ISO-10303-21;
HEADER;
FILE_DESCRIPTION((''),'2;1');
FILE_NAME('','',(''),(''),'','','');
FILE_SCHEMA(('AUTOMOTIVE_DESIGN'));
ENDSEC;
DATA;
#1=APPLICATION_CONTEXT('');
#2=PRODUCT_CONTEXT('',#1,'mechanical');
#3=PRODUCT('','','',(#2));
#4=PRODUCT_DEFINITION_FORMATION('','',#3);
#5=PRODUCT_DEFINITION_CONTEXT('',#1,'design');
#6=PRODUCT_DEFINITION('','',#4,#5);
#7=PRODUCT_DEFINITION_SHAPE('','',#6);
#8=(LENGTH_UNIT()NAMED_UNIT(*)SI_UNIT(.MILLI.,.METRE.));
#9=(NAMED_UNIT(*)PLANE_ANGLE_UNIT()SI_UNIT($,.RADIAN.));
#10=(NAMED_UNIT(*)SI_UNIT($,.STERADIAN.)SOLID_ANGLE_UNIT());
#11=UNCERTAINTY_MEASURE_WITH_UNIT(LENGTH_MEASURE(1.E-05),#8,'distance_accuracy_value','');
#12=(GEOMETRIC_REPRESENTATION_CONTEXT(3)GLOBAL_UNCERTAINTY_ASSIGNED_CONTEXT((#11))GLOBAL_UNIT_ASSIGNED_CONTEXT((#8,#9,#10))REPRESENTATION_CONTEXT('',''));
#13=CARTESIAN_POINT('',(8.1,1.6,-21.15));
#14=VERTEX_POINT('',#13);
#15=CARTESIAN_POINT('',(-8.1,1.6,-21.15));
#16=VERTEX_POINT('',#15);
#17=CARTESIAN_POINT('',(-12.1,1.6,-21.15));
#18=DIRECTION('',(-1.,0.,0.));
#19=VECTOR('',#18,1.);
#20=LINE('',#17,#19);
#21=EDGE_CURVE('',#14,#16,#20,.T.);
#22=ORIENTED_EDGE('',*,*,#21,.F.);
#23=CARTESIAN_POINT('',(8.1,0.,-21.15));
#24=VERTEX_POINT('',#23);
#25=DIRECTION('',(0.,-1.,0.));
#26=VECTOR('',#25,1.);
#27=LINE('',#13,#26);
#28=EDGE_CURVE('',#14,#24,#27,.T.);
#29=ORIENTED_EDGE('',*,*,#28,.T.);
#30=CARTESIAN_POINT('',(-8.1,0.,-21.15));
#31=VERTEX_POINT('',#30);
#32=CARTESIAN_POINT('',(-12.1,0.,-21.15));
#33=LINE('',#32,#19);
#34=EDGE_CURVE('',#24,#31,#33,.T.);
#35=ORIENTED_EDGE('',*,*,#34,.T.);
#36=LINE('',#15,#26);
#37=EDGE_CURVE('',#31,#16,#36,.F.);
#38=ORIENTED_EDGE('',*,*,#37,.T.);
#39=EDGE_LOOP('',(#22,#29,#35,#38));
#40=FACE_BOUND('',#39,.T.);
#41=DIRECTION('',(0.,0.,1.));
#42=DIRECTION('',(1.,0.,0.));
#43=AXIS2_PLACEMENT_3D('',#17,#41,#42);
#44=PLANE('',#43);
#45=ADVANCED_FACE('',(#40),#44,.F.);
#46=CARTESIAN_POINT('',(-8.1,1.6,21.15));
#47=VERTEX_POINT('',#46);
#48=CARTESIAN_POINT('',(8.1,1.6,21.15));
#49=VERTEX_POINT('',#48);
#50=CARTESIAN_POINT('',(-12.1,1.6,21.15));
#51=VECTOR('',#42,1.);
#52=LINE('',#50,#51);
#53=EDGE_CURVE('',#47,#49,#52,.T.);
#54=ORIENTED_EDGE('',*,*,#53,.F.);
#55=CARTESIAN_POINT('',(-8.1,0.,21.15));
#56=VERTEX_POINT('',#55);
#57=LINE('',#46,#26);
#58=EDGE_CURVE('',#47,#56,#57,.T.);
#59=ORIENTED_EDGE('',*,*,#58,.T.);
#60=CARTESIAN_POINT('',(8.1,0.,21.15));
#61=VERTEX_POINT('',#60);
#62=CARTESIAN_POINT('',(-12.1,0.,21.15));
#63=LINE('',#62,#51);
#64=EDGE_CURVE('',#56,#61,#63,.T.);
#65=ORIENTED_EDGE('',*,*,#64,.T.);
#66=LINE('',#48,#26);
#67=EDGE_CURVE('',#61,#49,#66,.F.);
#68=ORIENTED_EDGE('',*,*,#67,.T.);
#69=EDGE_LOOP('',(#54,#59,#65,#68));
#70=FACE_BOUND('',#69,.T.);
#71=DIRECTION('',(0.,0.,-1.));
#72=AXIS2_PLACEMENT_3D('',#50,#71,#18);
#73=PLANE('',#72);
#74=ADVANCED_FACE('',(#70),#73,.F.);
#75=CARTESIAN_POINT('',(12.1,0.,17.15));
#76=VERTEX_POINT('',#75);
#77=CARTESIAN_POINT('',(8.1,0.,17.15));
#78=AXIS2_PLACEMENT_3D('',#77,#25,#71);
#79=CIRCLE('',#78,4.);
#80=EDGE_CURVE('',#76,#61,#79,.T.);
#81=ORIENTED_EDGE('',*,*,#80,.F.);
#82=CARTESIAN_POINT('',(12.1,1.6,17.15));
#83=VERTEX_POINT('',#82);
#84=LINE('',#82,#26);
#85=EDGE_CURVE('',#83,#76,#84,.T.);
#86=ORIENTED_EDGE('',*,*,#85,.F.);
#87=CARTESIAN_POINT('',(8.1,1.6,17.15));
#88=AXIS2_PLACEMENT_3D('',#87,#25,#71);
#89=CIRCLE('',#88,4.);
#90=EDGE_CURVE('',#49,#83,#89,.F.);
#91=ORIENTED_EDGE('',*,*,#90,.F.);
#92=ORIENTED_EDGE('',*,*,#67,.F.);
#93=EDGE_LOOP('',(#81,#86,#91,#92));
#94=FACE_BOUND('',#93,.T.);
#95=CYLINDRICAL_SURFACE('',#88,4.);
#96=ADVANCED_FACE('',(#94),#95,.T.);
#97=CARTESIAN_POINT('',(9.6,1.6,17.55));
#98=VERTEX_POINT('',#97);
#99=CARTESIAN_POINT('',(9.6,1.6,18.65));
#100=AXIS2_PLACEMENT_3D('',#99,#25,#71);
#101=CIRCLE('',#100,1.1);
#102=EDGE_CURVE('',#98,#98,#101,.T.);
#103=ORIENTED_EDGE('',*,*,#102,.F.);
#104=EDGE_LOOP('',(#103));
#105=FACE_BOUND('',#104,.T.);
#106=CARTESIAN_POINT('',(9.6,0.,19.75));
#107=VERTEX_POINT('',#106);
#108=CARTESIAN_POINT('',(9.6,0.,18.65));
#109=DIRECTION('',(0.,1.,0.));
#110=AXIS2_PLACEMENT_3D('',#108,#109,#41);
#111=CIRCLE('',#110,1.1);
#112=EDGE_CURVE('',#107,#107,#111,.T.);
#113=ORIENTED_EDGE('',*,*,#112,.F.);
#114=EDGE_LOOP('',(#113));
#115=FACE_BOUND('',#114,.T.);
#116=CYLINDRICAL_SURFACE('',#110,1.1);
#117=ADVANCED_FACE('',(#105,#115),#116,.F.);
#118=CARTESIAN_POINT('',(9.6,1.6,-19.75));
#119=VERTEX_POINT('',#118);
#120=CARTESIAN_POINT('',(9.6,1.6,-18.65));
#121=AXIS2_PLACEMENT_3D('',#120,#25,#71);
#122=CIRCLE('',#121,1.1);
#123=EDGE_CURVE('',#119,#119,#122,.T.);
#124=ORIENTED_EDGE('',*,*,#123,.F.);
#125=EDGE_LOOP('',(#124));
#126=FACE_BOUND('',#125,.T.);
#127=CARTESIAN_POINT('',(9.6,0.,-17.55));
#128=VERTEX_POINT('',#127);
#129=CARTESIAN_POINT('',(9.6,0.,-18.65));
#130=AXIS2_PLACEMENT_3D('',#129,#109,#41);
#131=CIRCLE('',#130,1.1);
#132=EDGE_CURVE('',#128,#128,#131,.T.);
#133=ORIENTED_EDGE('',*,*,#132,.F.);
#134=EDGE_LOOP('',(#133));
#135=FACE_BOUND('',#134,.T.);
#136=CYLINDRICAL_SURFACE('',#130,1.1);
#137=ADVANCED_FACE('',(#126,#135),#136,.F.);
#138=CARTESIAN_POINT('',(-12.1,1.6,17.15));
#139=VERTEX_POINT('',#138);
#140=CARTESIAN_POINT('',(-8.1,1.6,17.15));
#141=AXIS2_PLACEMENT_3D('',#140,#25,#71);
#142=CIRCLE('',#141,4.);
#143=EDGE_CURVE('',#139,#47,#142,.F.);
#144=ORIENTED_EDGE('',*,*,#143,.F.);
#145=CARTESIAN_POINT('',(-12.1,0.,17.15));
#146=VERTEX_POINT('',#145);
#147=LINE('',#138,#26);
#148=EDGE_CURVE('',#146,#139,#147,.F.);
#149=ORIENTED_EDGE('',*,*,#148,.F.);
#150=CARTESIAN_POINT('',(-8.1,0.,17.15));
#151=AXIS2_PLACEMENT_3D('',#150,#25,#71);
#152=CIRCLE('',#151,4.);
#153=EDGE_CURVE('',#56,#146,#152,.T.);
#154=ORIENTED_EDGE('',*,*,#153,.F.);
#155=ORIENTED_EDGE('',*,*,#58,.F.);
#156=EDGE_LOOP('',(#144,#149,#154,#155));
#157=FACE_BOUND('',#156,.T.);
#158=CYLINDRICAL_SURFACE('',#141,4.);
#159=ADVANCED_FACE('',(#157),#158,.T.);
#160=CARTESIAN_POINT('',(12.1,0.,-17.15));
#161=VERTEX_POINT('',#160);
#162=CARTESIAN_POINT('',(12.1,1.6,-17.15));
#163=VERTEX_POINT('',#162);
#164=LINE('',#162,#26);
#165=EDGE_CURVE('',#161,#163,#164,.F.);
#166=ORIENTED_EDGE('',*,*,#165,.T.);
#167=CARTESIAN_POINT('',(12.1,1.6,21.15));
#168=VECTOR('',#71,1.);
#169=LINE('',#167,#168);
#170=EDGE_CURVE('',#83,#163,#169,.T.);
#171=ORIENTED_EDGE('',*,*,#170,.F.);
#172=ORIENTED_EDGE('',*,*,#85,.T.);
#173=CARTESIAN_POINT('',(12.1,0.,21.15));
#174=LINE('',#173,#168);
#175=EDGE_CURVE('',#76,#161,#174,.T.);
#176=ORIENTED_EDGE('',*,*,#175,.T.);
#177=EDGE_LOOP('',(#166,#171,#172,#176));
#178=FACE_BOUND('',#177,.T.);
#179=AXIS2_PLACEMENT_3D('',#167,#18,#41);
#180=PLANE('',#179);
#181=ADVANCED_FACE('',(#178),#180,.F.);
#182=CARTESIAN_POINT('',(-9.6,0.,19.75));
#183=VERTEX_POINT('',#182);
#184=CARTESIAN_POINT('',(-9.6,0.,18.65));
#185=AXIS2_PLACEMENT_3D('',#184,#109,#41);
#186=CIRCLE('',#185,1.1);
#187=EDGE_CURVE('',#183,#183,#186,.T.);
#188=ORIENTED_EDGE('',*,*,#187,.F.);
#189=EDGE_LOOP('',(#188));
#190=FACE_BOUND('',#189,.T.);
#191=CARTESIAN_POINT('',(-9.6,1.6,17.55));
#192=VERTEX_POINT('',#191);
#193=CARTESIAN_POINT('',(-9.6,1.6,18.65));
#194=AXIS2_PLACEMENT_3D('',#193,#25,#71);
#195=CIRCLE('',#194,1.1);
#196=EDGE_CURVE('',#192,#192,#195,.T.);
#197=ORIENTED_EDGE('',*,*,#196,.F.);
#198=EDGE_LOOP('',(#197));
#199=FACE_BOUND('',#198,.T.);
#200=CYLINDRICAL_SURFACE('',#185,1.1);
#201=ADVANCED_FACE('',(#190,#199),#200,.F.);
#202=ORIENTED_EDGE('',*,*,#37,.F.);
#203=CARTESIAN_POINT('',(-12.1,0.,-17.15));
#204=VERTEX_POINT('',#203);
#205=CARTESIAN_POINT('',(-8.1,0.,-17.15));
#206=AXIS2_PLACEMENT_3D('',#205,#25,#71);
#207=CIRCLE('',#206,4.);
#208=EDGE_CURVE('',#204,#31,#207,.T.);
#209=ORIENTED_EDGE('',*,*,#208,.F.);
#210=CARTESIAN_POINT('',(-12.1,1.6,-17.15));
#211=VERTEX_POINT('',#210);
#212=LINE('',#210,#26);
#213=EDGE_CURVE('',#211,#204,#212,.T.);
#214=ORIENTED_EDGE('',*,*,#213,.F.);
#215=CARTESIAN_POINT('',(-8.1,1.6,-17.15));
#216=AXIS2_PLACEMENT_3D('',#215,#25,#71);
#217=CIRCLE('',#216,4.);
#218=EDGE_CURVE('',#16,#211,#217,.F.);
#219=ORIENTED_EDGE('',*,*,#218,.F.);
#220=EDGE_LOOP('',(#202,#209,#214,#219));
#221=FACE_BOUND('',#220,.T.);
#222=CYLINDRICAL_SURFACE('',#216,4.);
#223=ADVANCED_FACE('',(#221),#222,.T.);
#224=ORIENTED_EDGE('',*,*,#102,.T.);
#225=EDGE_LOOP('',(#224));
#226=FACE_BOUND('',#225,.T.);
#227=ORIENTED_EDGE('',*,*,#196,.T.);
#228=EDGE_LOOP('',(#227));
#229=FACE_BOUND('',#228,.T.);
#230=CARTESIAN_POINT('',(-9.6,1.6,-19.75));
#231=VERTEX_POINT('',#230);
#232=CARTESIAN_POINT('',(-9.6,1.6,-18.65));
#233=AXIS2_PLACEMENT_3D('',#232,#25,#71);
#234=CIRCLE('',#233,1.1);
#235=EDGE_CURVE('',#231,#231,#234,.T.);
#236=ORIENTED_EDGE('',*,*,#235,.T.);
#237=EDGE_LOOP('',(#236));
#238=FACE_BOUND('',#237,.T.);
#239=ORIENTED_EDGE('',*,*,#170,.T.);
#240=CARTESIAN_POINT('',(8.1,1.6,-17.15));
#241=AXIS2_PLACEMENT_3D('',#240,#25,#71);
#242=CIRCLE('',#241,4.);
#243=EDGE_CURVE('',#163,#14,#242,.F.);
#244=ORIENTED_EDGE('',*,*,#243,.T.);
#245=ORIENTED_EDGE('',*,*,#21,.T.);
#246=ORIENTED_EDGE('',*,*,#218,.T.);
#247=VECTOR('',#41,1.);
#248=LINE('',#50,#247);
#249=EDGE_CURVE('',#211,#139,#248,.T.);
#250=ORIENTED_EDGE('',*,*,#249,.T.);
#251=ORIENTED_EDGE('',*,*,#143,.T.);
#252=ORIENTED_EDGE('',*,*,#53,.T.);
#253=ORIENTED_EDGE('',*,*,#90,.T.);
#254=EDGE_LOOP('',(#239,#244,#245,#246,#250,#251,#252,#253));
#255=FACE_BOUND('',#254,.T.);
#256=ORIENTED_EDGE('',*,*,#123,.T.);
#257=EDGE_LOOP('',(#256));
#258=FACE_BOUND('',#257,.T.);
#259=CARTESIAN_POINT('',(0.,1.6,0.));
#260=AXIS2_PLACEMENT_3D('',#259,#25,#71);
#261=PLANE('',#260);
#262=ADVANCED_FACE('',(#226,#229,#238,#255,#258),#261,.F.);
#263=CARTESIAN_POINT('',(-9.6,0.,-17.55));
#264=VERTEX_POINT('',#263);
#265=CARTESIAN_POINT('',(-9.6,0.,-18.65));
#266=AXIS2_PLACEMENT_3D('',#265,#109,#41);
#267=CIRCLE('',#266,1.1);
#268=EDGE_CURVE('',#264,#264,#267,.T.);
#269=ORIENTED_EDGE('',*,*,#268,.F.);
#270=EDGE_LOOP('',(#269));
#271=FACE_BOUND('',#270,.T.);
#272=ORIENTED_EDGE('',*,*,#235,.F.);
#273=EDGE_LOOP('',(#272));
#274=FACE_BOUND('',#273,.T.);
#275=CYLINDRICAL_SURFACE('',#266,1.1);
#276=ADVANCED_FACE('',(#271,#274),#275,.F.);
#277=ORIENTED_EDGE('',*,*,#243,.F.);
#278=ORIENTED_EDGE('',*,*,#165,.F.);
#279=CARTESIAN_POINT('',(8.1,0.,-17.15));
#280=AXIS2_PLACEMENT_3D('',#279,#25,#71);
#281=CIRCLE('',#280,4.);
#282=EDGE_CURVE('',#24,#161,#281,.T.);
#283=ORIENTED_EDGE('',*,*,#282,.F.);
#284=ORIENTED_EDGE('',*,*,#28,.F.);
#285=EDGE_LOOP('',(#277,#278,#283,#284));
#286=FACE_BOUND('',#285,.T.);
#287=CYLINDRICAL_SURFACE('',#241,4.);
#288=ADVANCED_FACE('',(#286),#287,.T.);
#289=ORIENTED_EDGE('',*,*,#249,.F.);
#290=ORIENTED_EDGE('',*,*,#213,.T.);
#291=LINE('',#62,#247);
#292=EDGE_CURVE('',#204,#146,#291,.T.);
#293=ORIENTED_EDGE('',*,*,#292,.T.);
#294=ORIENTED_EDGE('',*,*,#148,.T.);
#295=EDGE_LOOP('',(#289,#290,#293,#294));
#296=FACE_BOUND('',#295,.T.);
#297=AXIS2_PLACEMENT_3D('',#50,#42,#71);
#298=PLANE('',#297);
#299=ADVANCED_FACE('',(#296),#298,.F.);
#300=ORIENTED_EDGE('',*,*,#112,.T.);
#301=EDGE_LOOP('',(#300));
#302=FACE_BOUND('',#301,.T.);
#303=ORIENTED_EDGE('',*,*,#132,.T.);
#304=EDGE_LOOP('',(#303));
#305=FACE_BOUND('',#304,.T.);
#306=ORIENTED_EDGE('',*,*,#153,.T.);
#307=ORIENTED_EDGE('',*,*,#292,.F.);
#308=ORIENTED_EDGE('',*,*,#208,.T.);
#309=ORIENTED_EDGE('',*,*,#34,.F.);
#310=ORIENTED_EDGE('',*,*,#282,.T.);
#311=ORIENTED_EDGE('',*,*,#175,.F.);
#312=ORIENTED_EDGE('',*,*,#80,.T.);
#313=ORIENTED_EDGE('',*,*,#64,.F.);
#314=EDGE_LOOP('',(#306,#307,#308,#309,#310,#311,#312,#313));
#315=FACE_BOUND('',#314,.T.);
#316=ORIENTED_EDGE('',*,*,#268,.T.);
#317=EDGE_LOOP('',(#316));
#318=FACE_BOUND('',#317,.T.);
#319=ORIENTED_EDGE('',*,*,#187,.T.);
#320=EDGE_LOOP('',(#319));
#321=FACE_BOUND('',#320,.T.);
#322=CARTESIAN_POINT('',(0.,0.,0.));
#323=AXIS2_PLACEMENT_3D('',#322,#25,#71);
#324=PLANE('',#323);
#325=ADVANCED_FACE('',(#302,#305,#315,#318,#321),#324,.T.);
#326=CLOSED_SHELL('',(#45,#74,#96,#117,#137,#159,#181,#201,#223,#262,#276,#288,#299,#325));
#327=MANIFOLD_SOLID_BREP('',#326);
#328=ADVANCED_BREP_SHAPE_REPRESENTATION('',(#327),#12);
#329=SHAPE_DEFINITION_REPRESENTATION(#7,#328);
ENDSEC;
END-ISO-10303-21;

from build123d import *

# Parameters (mm, degrees)
SKETCH_1_W               = 24.2
SKETCH_1_H               = 42.3
EXTRUDE_1_DEPTH          = 1.6
FILLET_1_R               = 4
CUT_EXTRUDE_1_DEPTH      = 25.41910113
CUT_EXTRUDE_1_DEPTH_BACK = 25.41910113
SKETCH_2_R               = 1.1


with BuildPart() as part:
    # 草图1 → 凸台-拉伸1 (new body)
    with BuildSketch(Plane(origin=(0, 0, 0), x_dir=(1, 0, 0), z_dir=(0, 1, 0))):
        Rectangle(SKETCH_1_W, SKETCH_1_H)
    extrude(amount=EXTRUDE_1_DEPTH)

    # 圆角1
    fillet_1_edges = [part.edges().sort_by_distance(p)[0] for p in [
        (12.1, 0.8, 21.15),
        (-12.1, 0.8, 21.15),
        (-12.1, 0.8, -21.15),
        (12.1, 0.8, -21.15),
    ]]
    fillet(fillet_1_edges, radius=FILLET_1_R)

    # 草图2 → 切除-拉伸1 (cut, two sides: drawn at the far end of the back side and taken through both)
    with BuildSketch(Plane(origin=(0, 1.6, 0), x_dir=(1, 0, 0), z_dir=(0, 1, 0)).offset(-CUT_EXTRUDE_1_DEPTH_BACK)):
        with Locations(Location((-9.6, 18.65, 0), (0, 0, 270))):
            Circle(SKETCH_2_R)
        with Locations(Location((9.6, 18.65, 0), (0, 0, 270))):
            Circle(SKETCH_2_R)
        with Locations(Location((9.6, -18.65, 0), (0, 0, 270))):
            Circle(SKETCH_2_R)
        with Locations(Location((-9.6, -18.65, 0), (0, 0, 270))):
            Circle(SKETCH_2_R)
    extrude(amount=CUT_EXTRUDE_1_DEPTH + CUT_EXTRUDE_1_DEPTH_BACK, mode=Mode.SUBTRACT)


solid = part.part
